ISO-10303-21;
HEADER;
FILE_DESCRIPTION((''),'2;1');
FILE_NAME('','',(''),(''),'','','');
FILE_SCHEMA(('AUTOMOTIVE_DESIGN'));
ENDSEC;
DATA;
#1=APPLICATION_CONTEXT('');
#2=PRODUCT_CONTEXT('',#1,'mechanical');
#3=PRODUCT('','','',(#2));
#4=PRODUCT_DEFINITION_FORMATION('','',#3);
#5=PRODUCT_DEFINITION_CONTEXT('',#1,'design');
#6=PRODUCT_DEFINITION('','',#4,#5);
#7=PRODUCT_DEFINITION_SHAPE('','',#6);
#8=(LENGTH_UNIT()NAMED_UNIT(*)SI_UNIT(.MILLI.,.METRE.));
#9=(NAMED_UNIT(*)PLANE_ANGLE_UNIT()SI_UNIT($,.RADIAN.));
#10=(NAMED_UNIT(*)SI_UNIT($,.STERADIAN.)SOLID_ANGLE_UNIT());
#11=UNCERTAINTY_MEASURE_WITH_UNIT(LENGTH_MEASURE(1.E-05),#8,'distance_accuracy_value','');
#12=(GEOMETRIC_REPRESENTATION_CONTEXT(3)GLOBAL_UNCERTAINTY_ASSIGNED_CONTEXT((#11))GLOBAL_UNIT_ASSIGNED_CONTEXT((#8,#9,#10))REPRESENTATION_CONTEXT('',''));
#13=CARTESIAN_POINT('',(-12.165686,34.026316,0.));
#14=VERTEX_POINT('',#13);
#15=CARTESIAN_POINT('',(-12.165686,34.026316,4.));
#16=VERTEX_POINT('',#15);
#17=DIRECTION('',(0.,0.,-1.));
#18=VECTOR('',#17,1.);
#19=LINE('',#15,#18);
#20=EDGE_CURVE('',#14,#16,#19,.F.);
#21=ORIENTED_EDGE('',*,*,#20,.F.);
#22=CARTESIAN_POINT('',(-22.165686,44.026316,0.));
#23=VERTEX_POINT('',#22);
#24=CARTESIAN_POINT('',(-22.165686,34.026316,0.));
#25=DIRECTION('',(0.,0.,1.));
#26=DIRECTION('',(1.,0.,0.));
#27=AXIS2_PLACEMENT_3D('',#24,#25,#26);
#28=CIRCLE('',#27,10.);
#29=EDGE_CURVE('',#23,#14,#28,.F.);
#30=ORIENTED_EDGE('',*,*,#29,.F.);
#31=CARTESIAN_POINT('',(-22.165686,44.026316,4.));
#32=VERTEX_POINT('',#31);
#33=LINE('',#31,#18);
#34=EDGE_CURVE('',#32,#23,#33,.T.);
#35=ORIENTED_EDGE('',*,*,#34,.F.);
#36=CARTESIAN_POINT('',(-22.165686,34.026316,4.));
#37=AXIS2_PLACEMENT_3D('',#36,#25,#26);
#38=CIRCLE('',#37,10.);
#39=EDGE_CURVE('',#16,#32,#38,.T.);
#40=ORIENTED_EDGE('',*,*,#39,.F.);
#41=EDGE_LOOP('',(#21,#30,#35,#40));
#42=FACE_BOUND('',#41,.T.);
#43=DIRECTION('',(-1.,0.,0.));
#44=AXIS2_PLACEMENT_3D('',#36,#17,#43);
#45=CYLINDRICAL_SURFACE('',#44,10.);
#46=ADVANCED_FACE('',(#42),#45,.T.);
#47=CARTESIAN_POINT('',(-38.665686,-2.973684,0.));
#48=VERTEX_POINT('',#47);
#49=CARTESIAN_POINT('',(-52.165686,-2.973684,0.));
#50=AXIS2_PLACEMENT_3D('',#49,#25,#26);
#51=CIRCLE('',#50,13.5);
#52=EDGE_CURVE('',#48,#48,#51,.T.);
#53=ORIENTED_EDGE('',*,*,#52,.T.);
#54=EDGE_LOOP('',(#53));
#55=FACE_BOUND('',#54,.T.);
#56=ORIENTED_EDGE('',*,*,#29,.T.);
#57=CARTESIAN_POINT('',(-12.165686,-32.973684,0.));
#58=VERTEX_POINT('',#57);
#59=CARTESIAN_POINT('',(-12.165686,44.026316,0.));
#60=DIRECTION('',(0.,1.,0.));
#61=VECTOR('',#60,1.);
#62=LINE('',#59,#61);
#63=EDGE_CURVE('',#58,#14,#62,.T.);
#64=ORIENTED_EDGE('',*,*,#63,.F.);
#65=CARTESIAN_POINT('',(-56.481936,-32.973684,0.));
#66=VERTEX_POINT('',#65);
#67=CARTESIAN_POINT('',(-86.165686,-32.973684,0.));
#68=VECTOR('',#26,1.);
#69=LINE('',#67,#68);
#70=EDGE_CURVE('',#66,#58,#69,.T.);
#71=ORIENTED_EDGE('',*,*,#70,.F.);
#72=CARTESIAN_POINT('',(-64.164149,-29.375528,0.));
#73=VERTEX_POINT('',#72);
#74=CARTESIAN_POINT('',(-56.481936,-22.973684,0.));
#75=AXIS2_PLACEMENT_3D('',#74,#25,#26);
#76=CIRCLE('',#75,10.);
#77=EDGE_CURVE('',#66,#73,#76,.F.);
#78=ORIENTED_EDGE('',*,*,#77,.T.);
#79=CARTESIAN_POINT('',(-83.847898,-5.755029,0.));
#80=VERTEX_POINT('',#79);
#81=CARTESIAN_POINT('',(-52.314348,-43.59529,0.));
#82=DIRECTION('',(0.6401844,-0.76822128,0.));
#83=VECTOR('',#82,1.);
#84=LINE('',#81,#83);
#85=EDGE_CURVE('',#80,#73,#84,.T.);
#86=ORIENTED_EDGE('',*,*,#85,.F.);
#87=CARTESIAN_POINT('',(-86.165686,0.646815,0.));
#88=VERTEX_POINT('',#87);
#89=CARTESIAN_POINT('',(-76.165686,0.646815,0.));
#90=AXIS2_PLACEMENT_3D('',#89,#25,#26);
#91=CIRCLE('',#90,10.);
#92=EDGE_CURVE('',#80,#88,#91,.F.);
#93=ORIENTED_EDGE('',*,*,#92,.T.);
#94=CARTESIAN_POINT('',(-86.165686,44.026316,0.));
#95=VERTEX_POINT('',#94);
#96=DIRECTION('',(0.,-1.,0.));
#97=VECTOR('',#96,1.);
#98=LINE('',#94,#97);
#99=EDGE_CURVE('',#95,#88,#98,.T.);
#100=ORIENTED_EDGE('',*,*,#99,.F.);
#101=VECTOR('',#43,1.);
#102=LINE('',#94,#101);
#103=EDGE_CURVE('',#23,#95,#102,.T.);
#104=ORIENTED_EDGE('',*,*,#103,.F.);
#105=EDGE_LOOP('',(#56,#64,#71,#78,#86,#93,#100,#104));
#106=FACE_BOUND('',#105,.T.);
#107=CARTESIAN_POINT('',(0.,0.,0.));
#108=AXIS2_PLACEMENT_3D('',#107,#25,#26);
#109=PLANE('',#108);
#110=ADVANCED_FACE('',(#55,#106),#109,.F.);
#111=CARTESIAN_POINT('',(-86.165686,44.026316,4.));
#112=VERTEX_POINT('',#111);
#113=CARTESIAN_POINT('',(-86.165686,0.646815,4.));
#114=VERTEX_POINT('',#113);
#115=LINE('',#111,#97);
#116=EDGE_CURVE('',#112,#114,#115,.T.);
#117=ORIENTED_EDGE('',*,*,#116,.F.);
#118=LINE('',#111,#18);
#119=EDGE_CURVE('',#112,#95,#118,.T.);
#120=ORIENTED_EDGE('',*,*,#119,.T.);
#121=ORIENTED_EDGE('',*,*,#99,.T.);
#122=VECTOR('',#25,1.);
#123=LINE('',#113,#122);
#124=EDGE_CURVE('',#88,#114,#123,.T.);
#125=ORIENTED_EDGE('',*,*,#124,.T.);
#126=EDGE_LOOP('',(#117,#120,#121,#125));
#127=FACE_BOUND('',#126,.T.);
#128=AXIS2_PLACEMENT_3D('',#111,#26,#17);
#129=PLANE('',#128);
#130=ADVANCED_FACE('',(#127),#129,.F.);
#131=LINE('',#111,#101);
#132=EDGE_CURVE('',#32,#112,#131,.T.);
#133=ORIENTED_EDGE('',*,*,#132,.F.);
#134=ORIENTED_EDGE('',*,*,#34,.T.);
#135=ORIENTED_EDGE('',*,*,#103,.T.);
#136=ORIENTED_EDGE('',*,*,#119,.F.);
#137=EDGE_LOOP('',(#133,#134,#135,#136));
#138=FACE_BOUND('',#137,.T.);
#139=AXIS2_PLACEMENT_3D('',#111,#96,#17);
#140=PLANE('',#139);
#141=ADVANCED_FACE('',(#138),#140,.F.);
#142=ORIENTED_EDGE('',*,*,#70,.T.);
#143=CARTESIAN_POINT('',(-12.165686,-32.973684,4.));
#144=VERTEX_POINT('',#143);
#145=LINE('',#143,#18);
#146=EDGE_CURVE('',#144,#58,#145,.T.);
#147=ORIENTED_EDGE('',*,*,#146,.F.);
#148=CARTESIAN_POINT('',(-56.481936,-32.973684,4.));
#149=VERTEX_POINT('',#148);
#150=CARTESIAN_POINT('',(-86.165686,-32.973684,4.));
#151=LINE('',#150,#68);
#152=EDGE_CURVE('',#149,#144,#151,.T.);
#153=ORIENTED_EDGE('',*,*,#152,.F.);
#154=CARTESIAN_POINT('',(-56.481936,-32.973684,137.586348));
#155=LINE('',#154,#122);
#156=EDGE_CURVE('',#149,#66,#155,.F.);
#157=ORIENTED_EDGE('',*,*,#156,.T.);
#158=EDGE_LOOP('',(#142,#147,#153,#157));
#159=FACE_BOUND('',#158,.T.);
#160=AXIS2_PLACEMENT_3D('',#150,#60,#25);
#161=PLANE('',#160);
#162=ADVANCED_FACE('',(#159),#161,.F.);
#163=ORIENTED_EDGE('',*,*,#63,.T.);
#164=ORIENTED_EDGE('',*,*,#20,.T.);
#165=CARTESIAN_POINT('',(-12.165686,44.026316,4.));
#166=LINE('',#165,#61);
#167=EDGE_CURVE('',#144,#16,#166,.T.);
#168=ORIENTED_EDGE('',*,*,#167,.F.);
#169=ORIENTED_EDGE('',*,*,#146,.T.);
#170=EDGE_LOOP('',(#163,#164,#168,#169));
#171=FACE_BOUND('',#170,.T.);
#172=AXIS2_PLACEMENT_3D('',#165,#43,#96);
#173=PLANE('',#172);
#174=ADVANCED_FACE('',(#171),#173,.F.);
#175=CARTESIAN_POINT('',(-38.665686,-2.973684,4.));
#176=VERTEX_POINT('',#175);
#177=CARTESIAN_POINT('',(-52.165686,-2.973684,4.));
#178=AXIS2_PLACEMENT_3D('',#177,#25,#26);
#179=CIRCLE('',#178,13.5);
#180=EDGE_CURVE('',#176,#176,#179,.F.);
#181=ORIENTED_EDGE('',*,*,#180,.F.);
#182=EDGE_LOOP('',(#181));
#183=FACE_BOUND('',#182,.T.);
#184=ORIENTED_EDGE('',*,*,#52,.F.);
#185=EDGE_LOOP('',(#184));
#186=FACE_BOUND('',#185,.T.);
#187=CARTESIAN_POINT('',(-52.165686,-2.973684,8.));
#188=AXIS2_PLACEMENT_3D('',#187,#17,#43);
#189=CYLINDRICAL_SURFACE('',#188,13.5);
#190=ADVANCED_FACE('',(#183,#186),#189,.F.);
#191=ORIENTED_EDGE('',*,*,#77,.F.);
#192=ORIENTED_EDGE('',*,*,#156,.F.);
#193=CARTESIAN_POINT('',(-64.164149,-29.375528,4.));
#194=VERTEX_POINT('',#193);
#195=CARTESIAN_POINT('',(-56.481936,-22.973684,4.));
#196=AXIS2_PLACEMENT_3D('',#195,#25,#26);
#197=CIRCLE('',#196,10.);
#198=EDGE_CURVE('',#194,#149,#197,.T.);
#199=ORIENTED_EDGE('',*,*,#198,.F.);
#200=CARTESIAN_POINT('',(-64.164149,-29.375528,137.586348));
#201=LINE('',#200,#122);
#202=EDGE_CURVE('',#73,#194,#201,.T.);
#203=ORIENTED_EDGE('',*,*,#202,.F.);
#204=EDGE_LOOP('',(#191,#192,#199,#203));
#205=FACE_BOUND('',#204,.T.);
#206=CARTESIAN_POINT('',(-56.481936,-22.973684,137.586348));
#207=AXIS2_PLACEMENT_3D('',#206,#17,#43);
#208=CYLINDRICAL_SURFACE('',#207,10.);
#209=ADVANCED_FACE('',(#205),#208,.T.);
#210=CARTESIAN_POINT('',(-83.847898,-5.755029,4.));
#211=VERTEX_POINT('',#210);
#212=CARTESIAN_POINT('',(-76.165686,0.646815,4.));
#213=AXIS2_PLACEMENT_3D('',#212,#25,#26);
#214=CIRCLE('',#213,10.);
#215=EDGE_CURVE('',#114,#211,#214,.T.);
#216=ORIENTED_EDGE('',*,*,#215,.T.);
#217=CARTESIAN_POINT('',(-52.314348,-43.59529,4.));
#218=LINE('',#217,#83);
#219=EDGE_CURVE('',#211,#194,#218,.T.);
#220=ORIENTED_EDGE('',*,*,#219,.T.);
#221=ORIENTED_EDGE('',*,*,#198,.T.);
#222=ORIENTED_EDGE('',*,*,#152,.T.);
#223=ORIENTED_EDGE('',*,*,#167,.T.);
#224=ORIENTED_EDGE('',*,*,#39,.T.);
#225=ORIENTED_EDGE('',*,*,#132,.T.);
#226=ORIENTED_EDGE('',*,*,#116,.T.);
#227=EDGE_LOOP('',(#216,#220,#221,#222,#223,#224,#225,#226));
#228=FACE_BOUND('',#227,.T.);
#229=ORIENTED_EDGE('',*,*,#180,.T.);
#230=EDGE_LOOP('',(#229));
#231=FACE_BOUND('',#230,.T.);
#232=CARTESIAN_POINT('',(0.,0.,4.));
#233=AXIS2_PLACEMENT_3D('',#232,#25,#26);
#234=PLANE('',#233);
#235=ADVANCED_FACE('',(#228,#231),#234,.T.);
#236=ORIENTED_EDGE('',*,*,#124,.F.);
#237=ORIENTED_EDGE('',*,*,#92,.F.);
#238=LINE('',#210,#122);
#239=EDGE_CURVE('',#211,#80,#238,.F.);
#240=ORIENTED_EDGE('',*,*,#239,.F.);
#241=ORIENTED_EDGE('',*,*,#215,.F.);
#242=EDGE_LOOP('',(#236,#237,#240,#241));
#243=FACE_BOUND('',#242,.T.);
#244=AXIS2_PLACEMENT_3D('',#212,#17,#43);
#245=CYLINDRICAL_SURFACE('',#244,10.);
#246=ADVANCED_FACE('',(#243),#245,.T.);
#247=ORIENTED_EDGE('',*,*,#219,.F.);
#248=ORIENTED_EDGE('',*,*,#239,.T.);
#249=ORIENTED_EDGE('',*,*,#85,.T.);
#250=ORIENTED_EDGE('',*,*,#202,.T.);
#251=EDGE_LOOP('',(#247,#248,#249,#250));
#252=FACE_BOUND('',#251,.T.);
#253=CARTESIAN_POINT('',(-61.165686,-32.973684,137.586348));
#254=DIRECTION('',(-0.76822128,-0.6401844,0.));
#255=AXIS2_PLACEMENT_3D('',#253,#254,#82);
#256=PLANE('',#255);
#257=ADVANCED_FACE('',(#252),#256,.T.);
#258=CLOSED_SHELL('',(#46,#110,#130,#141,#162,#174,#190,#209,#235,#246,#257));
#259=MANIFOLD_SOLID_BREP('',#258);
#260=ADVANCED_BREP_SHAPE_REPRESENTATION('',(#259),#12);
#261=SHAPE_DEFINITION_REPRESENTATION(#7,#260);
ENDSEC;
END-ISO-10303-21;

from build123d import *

# Parameters (mm, degrees)
ESBO_O1_W                  = 74
ESBO_O1_H                  = 77
RESSALTO_EXTRUS_O1_DEPTH   = 4
ESBO_O2_R                  = 13.5
CORTE_EXTRUS_O1_DEPTH      = 4
CORTE_EXTRUS_O1_DEPTH_BACK = 4
CORTE_EXTRUS_O2_DEPTH      = 1
CORTE_EXTRUS_O2_DEPTH_BACK = 5
FILETE2_R                  = 10
FILETE3_R                  = 10
FILETE4_R                  = 10


with BuildPart() as part:
    # Esboço1 → Ressalto-extrusão1 (new body)
    with BuildSketch(Plane.XY):
        with Locations((-49.165685596, 5.526315789)):
            Rectangle(ESBO_O1_W, ESBO_O1_H)
    extrude(amount=RESSALTO_EXTRUS_O1_DEPTH)

    # Esboço2 → Corte-extrusão1 (cut, two sides)
    with BuildSketch(Plane.XY.offset(4)) as corte_extrus_o1_sk:
        with Locations((-52.165685596, -2.973684211)):
            Circle(ESBO_O2_R)
    extrude(amount=CORTE_EXTRUS_O1_DEPTH, mode=Mode.SUBTRACT)
    extrude(corte_extrus_o1_sk.sketch, amount=-CORTE_EXTRUS_O1_DEPTH_BACK, mode=Mode.SUBTRACT)

    # Esboço4 → Corte-extrusão2 (cut, two sides)
    with BuildSketch(Plane.XY.offset(4)) as corte_extrus_o2_sk:
        Polygon((62.093925387, -180.88521739), (-61.165685596, -32.973684211), (-86.165685596, -2.973684211), (-209.425296578, 144.937848968), (-505.248362936, -101.581372997), (-233.729140971, -427.404439354), align=None)
    extrude(amount=CORTE_EXTRUS_O2_DEPTH, mode=Mode.SUBTRACT)
    extrude(corte_extrus_o2_sk.sketch, amount=-CORTE_EXTRUS_O2_DEPTH_BACK, mode=Mode.SUBTRACT)

    # Filete2
    filete2_edges = [part.edges().sort_by_distance(p)[0] for p in [
        (-86.165685596, -2.973684211, 2),
    ]]
    fillet(filete2_edges, radius=FILETE2_R)

    # Filete3
    filete3_edges = [part.edges().sort_by_distance(p)[0] for p in [
        (-61.165685596, -32.973684211, 2),
    ]]
    fillet(filete3_edges, radius=FILETE3_R)

    # Filete4
    filete4_edges = [part.edges().sort_by_distance(p)[0] for p in [
        (-12.165685596, 44.026315789, 2),
    ]]
    fillet(filete4_edges, radius=FILETE4_R)


solid = part.part
